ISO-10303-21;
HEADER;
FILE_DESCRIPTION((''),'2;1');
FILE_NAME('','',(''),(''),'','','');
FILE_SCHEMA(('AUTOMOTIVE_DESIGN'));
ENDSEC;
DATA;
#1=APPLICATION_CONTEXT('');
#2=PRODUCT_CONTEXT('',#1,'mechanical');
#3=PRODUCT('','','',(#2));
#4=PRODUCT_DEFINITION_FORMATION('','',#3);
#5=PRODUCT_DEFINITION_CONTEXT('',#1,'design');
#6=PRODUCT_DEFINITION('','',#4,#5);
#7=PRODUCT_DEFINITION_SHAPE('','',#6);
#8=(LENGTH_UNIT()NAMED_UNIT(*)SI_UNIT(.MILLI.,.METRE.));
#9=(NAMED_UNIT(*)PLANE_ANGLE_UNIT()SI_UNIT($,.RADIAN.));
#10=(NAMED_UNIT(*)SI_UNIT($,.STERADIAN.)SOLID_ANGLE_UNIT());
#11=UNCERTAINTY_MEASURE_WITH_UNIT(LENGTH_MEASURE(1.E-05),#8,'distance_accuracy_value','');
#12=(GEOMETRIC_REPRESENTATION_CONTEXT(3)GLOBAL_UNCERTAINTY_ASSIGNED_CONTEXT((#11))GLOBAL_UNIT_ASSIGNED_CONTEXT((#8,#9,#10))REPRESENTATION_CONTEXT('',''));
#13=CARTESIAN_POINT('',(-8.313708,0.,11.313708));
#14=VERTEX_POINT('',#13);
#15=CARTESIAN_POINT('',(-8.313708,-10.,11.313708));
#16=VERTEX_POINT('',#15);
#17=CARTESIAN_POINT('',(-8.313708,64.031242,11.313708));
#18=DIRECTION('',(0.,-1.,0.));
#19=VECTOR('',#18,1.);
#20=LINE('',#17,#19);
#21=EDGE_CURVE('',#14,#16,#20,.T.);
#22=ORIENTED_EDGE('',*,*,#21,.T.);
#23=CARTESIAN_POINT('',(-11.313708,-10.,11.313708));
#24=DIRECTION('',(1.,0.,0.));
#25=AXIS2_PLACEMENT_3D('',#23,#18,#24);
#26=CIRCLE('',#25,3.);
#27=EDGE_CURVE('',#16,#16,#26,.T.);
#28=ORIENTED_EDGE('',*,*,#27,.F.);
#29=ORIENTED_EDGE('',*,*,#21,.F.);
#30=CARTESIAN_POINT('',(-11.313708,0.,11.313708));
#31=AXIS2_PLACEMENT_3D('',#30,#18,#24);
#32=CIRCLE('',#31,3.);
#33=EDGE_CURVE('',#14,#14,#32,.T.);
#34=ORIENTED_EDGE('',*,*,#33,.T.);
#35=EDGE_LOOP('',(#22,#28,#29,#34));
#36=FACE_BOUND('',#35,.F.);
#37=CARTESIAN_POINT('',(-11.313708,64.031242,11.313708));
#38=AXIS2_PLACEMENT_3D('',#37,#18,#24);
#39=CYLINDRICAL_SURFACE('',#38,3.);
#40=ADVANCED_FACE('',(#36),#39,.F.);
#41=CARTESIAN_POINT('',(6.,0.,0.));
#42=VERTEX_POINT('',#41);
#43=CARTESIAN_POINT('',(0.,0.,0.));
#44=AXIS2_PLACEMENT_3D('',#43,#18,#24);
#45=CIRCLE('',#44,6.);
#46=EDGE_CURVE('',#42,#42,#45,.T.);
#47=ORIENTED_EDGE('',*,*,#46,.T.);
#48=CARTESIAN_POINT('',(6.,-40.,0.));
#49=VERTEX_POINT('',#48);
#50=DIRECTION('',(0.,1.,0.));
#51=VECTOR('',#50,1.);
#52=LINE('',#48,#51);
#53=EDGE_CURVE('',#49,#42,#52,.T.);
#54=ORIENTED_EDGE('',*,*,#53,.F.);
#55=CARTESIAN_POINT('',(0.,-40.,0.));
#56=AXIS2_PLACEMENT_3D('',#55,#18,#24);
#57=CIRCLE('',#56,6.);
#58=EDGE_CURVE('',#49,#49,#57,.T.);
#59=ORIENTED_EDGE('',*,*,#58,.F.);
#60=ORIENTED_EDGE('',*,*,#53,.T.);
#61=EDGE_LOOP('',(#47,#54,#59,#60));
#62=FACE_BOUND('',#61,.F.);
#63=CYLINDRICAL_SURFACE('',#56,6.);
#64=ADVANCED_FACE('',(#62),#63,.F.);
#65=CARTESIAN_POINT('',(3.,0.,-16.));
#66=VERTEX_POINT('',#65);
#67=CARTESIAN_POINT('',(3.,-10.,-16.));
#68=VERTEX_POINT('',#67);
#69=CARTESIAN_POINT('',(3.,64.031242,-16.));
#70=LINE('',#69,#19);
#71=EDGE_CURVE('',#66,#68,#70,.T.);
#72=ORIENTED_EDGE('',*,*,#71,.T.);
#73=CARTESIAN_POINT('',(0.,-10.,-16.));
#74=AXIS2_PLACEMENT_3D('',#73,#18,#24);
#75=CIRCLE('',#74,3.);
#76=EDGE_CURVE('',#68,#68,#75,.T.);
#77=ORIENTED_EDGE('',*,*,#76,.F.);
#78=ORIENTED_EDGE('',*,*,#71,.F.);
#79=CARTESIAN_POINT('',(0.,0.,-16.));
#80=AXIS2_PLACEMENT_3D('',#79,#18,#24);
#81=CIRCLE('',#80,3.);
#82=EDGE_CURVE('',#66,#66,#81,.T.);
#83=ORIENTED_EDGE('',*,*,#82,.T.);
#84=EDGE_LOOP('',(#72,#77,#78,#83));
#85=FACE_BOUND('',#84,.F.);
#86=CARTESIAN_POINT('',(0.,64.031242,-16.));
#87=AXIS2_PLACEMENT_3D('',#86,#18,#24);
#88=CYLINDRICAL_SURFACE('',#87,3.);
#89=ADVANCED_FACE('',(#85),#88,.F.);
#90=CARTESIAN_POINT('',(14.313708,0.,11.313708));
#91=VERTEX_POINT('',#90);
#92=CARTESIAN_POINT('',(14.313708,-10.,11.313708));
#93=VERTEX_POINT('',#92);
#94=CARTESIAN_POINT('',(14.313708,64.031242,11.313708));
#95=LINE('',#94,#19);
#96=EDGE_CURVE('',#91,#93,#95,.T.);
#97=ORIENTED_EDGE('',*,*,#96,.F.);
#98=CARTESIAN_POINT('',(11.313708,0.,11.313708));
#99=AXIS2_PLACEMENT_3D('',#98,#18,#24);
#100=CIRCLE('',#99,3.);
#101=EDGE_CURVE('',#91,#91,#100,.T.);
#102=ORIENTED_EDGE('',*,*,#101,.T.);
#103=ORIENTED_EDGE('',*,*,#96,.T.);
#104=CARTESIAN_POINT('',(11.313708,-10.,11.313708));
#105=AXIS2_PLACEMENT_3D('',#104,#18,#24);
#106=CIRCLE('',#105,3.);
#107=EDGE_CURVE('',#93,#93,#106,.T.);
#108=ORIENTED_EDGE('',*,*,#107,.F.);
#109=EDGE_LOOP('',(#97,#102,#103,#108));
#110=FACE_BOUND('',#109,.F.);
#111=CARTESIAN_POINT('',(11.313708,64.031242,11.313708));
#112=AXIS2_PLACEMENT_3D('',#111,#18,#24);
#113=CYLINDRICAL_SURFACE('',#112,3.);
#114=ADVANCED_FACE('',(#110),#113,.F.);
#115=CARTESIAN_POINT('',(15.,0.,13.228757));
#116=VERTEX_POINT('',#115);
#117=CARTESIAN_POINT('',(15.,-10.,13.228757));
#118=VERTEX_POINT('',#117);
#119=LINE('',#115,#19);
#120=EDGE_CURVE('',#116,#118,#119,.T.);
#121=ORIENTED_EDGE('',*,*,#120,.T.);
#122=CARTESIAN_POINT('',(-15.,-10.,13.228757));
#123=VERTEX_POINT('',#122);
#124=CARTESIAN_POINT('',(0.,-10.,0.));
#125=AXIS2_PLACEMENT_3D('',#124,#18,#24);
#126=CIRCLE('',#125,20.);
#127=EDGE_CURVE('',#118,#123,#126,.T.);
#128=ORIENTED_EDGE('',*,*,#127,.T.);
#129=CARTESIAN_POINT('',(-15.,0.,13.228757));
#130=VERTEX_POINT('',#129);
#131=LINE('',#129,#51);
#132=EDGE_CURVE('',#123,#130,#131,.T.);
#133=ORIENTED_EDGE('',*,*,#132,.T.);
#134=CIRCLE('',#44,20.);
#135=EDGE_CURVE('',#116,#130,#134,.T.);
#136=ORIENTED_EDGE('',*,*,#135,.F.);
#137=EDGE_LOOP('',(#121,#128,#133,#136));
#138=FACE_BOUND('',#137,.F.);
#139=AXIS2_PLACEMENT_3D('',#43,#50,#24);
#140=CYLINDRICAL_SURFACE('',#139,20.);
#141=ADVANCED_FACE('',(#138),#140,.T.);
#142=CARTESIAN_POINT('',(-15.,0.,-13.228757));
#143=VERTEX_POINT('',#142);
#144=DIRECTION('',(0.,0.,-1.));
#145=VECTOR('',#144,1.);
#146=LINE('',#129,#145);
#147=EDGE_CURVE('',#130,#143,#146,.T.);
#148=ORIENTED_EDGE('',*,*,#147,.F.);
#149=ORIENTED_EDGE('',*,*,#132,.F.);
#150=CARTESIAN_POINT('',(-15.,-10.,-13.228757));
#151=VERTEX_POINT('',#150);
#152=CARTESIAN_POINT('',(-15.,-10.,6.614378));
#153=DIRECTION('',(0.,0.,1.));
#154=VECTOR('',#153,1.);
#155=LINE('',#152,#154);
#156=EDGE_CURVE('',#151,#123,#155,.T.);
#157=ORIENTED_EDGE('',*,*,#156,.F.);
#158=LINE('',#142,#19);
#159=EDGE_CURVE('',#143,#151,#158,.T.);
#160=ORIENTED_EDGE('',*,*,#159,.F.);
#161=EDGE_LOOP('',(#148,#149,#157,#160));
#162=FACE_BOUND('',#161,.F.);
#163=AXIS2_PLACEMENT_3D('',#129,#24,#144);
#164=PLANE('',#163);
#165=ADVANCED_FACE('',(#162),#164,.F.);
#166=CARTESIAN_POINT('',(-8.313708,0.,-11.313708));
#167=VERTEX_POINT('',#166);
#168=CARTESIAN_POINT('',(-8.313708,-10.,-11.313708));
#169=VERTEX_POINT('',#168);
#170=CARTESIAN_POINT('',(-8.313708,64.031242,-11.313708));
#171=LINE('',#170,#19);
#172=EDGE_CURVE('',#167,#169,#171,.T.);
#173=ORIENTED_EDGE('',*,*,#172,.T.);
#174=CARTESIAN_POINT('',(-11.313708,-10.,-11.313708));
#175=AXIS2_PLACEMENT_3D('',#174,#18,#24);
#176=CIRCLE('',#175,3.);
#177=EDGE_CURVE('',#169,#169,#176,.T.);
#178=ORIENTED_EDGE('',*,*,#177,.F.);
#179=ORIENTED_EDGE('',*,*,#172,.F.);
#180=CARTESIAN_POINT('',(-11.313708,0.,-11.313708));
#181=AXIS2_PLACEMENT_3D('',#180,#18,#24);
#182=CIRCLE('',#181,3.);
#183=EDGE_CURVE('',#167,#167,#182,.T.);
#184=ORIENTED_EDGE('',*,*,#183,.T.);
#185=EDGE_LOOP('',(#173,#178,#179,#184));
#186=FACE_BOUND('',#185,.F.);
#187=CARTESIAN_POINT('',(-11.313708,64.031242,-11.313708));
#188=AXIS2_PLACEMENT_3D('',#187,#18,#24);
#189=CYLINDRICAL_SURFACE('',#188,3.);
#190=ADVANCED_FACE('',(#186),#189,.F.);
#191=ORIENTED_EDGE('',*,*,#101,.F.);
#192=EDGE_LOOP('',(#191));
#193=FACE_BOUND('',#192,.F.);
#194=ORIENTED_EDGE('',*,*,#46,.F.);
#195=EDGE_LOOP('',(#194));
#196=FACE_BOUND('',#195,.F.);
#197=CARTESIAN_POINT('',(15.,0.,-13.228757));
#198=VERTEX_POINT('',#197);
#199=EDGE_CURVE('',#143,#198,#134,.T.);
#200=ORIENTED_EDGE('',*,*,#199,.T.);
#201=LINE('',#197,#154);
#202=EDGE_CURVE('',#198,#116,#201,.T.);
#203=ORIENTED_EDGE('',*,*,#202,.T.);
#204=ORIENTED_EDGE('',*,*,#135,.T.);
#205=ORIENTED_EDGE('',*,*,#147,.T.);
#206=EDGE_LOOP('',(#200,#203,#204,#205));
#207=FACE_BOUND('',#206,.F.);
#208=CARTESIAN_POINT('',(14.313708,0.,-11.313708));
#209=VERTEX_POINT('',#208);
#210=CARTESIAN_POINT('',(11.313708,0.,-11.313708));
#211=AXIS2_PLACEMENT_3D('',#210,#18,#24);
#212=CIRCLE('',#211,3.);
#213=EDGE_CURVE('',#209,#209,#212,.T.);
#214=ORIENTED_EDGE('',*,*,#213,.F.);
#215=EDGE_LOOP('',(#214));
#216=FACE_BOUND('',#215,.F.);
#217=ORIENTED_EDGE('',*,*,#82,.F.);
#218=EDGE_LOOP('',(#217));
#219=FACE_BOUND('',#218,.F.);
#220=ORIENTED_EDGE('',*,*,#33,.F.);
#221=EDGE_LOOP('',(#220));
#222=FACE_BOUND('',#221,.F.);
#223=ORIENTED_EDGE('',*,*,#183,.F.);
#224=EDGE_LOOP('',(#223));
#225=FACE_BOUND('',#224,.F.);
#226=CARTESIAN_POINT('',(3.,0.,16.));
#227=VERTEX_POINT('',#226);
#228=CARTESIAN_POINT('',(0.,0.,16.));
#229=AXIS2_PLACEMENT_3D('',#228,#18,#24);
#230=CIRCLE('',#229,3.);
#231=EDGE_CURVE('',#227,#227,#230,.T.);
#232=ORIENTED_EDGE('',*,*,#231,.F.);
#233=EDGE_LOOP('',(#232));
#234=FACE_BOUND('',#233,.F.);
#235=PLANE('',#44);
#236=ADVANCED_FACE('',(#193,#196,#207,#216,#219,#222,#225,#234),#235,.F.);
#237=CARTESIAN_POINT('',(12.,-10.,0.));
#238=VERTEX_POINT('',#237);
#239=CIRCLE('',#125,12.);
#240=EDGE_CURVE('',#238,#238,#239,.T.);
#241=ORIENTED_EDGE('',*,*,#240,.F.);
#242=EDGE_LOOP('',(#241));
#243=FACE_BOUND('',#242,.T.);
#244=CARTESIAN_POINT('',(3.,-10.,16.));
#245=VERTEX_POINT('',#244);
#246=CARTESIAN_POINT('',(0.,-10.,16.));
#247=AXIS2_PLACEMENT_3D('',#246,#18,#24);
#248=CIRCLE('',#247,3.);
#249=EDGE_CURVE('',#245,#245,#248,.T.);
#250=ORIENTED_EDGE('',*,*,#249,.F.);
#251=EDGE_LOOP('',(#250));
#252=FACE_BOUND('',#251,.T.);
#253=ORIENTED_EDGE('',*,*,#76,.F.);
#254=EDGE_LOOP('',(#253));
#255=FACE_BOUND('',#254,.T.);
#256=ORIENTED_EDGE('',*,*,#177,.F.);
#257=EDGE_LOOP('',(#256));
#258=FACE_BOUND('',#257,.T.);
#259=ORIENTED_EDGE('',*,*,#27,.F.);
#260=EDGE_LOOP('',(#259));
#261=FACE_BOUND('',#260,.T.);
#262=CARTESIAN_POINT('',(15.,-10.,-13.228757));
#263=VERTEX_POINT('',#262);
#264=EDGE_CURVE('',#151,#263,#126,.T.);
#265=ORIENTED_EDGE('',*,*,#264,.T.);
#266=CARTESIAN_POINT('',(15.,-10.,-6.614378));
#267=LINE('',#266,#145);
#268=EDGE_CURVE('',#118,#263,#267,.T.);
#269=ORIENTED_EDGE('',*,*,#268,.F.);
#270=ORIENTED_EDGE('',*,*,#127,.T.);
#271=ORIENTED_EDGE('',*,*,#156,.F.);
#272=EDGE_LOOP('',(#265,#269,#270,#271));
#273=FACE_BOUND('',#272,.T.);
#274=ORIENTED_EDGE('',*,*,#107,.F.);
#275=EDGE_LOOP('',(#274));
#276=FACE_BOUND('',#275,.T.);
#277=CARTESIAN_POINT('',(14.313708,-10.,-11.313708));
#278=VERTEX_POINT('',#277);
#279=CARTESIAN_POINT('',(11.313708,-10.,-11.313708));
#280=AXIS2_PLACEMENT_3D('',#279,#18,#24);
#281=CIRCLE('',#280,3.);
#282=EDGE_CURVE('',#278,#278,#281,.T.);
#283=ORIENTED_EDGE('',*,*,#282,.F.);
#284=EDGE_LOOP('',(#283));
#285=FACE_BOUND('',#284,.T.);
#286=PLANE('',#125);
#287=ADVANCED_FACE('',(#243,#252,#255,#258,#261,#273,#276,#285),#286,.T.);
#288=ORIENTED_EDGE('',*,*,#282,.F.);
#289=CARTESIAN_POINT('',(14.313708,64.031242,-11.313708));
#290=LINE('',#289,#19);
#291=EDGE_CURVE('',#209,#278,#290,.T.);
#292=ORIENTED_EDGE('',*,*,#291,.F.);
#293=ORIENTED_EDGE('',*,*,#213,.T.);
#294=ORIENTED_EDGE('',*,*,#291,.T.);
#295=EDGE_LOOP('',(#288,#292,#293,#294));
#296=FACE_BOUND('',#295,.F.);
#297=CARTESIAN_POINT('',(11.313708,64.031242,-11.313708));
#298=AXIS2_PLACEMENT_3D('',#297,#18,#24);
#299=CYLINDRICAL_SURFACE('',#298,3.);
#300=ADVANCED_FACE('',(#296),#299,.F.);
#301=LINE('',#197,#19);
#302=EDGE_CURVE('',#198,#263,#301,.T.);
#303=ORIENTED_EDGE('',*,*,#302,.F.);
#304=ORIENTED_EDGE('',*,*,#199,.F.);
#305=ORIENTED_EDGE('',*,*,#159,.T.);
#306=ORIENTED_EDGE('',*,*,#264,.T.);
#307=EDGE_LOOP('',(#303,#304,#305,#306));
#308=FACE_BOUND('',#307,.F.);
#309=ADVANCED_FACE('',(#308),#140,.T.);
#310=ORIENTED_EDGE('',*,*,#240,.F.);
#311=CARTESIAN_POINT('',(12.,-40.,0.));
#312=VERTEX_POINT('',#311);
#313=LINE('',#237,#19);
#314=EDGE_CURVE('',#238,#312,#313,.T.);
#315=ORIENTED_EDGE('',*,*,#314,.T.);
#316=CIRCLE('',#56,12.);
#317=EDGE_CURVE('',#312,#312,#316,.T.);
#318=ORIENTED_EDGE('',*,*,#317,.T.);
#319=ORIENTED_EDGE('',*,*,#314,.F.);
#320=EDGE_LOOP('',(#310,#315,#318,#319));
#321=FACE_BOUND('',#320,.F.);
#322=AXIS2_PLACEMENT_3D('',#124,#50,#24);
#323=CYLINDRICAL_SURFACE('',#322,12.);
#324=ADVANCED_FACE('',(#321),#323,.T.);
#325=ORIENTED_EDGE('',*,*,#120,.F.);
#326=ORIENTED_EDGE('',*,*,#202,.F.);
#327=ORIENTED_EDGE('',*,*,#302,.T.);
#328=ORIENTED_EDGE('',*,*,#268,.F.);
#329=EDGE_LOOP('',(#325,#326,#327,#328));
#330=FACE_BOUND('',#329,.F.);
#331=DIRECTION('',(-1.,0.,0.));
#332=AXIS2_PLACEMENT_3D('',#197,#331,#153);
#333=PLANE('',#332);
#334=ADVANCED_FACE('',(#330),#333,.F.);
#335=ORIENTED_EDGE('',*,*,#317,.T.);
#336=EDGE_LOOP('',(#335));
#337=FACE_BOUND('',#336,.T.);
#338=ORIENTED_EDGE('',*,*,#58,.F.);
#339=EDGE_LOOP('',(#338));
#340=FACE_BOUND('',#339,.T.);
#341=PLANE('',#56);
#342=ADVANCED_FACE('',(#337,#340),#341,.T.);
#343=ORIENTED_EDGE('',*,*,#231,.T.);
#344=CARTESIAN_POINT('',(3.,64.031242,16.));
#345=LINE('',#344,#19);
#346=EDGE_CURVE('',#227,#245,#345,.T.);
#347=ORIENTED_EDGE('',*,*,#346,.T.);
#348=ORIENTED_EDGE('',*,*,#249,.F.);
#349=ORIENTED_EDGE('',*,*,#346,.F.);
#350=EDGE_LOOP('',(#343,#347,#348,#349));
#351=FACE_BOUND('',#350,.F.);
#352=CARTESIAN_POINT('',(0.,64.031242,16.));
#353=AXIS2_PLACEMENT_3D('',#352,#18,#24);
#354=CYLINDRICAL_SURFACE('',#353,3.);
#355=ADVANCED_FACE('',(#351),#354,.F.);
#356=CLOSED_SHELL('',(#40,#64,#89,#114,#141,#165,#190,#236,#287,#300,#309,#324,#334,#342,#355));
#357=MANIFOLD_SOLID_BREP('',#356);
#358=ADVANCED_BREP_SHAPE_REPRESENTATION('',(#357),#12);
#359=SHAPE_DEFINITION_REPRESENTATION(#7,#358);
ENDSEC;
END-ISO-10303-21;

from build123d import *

# Parameters (mm, degrees)
F0_R     = 20
F1_DEPTH = 10
F2_R     = 12
F3_DEPTH = 30
F4_R     = 6
F5_DEPTH = 40.001
F7_DEPTH = 25
F9_D     = 6


with BuildPart() as f1:
    # F0 (on Front) → F1 (new body)
    with BuildSketch(Plane.XZ):
        Circle(F0_R)
    extrude(amount=F1_DEPTH)

    # F2 (on face) → F3 (join)
    with BuildSketch(Plane.XZ.offset(10)):
        Circle(F2_R)
    extrude(amount=F3_DEPTH)

    # F4 (on face) → F5 (cut, through all)
    with BuildSketch(Plane.XZ.offset(40)):
        Circle(F4_R)
    extrude(amount=-F5_DEPTH, mode=Mode.SUBTRACT)

    # F6 (on face) → F7 (cut)
    with BuildSketch(Plane(origin=(0, 0, 0), x_dir=(-1, 0, 0), z_dir=(0, 1, 0))):
        with BuildLine():
            Line((-15, -13.228757), (-15, 0))
            Line((-15, 0), (-15, 13.228757))
            ThreePointArc((-15, 13.228757), (-20, 0), (-15, -13.228757))
        make_face()
        with BuildLine():
            ThreePointArc((20, 0), (18.708287, 7.071068), (15, 13.228757))
            Line((15, 13.228757), (15, 0))
            Line((15, 0), (15, -13.228757))
            ThreePointArc((15, -13.228757), (18.708287, -7.071068), (20, 0))
        make_face()
    extrude(amount=-F7_DEPTH, mode=Mode.SUBTRACT)

    # F9 (through all)
    with Locations(Plane(origin=(0, 0, 0), x_dir=(-1, 0, 0), z_dir=(0, 1, 0))):
        with Locations((-11.313708, 11.313708), (0, 16), (11.313708, 11.313708), (-11.313708, -11.313708), (0, -16), (11.313708, -11.313708)):
            Hole(F9_D / 2)


solid = f1.part
